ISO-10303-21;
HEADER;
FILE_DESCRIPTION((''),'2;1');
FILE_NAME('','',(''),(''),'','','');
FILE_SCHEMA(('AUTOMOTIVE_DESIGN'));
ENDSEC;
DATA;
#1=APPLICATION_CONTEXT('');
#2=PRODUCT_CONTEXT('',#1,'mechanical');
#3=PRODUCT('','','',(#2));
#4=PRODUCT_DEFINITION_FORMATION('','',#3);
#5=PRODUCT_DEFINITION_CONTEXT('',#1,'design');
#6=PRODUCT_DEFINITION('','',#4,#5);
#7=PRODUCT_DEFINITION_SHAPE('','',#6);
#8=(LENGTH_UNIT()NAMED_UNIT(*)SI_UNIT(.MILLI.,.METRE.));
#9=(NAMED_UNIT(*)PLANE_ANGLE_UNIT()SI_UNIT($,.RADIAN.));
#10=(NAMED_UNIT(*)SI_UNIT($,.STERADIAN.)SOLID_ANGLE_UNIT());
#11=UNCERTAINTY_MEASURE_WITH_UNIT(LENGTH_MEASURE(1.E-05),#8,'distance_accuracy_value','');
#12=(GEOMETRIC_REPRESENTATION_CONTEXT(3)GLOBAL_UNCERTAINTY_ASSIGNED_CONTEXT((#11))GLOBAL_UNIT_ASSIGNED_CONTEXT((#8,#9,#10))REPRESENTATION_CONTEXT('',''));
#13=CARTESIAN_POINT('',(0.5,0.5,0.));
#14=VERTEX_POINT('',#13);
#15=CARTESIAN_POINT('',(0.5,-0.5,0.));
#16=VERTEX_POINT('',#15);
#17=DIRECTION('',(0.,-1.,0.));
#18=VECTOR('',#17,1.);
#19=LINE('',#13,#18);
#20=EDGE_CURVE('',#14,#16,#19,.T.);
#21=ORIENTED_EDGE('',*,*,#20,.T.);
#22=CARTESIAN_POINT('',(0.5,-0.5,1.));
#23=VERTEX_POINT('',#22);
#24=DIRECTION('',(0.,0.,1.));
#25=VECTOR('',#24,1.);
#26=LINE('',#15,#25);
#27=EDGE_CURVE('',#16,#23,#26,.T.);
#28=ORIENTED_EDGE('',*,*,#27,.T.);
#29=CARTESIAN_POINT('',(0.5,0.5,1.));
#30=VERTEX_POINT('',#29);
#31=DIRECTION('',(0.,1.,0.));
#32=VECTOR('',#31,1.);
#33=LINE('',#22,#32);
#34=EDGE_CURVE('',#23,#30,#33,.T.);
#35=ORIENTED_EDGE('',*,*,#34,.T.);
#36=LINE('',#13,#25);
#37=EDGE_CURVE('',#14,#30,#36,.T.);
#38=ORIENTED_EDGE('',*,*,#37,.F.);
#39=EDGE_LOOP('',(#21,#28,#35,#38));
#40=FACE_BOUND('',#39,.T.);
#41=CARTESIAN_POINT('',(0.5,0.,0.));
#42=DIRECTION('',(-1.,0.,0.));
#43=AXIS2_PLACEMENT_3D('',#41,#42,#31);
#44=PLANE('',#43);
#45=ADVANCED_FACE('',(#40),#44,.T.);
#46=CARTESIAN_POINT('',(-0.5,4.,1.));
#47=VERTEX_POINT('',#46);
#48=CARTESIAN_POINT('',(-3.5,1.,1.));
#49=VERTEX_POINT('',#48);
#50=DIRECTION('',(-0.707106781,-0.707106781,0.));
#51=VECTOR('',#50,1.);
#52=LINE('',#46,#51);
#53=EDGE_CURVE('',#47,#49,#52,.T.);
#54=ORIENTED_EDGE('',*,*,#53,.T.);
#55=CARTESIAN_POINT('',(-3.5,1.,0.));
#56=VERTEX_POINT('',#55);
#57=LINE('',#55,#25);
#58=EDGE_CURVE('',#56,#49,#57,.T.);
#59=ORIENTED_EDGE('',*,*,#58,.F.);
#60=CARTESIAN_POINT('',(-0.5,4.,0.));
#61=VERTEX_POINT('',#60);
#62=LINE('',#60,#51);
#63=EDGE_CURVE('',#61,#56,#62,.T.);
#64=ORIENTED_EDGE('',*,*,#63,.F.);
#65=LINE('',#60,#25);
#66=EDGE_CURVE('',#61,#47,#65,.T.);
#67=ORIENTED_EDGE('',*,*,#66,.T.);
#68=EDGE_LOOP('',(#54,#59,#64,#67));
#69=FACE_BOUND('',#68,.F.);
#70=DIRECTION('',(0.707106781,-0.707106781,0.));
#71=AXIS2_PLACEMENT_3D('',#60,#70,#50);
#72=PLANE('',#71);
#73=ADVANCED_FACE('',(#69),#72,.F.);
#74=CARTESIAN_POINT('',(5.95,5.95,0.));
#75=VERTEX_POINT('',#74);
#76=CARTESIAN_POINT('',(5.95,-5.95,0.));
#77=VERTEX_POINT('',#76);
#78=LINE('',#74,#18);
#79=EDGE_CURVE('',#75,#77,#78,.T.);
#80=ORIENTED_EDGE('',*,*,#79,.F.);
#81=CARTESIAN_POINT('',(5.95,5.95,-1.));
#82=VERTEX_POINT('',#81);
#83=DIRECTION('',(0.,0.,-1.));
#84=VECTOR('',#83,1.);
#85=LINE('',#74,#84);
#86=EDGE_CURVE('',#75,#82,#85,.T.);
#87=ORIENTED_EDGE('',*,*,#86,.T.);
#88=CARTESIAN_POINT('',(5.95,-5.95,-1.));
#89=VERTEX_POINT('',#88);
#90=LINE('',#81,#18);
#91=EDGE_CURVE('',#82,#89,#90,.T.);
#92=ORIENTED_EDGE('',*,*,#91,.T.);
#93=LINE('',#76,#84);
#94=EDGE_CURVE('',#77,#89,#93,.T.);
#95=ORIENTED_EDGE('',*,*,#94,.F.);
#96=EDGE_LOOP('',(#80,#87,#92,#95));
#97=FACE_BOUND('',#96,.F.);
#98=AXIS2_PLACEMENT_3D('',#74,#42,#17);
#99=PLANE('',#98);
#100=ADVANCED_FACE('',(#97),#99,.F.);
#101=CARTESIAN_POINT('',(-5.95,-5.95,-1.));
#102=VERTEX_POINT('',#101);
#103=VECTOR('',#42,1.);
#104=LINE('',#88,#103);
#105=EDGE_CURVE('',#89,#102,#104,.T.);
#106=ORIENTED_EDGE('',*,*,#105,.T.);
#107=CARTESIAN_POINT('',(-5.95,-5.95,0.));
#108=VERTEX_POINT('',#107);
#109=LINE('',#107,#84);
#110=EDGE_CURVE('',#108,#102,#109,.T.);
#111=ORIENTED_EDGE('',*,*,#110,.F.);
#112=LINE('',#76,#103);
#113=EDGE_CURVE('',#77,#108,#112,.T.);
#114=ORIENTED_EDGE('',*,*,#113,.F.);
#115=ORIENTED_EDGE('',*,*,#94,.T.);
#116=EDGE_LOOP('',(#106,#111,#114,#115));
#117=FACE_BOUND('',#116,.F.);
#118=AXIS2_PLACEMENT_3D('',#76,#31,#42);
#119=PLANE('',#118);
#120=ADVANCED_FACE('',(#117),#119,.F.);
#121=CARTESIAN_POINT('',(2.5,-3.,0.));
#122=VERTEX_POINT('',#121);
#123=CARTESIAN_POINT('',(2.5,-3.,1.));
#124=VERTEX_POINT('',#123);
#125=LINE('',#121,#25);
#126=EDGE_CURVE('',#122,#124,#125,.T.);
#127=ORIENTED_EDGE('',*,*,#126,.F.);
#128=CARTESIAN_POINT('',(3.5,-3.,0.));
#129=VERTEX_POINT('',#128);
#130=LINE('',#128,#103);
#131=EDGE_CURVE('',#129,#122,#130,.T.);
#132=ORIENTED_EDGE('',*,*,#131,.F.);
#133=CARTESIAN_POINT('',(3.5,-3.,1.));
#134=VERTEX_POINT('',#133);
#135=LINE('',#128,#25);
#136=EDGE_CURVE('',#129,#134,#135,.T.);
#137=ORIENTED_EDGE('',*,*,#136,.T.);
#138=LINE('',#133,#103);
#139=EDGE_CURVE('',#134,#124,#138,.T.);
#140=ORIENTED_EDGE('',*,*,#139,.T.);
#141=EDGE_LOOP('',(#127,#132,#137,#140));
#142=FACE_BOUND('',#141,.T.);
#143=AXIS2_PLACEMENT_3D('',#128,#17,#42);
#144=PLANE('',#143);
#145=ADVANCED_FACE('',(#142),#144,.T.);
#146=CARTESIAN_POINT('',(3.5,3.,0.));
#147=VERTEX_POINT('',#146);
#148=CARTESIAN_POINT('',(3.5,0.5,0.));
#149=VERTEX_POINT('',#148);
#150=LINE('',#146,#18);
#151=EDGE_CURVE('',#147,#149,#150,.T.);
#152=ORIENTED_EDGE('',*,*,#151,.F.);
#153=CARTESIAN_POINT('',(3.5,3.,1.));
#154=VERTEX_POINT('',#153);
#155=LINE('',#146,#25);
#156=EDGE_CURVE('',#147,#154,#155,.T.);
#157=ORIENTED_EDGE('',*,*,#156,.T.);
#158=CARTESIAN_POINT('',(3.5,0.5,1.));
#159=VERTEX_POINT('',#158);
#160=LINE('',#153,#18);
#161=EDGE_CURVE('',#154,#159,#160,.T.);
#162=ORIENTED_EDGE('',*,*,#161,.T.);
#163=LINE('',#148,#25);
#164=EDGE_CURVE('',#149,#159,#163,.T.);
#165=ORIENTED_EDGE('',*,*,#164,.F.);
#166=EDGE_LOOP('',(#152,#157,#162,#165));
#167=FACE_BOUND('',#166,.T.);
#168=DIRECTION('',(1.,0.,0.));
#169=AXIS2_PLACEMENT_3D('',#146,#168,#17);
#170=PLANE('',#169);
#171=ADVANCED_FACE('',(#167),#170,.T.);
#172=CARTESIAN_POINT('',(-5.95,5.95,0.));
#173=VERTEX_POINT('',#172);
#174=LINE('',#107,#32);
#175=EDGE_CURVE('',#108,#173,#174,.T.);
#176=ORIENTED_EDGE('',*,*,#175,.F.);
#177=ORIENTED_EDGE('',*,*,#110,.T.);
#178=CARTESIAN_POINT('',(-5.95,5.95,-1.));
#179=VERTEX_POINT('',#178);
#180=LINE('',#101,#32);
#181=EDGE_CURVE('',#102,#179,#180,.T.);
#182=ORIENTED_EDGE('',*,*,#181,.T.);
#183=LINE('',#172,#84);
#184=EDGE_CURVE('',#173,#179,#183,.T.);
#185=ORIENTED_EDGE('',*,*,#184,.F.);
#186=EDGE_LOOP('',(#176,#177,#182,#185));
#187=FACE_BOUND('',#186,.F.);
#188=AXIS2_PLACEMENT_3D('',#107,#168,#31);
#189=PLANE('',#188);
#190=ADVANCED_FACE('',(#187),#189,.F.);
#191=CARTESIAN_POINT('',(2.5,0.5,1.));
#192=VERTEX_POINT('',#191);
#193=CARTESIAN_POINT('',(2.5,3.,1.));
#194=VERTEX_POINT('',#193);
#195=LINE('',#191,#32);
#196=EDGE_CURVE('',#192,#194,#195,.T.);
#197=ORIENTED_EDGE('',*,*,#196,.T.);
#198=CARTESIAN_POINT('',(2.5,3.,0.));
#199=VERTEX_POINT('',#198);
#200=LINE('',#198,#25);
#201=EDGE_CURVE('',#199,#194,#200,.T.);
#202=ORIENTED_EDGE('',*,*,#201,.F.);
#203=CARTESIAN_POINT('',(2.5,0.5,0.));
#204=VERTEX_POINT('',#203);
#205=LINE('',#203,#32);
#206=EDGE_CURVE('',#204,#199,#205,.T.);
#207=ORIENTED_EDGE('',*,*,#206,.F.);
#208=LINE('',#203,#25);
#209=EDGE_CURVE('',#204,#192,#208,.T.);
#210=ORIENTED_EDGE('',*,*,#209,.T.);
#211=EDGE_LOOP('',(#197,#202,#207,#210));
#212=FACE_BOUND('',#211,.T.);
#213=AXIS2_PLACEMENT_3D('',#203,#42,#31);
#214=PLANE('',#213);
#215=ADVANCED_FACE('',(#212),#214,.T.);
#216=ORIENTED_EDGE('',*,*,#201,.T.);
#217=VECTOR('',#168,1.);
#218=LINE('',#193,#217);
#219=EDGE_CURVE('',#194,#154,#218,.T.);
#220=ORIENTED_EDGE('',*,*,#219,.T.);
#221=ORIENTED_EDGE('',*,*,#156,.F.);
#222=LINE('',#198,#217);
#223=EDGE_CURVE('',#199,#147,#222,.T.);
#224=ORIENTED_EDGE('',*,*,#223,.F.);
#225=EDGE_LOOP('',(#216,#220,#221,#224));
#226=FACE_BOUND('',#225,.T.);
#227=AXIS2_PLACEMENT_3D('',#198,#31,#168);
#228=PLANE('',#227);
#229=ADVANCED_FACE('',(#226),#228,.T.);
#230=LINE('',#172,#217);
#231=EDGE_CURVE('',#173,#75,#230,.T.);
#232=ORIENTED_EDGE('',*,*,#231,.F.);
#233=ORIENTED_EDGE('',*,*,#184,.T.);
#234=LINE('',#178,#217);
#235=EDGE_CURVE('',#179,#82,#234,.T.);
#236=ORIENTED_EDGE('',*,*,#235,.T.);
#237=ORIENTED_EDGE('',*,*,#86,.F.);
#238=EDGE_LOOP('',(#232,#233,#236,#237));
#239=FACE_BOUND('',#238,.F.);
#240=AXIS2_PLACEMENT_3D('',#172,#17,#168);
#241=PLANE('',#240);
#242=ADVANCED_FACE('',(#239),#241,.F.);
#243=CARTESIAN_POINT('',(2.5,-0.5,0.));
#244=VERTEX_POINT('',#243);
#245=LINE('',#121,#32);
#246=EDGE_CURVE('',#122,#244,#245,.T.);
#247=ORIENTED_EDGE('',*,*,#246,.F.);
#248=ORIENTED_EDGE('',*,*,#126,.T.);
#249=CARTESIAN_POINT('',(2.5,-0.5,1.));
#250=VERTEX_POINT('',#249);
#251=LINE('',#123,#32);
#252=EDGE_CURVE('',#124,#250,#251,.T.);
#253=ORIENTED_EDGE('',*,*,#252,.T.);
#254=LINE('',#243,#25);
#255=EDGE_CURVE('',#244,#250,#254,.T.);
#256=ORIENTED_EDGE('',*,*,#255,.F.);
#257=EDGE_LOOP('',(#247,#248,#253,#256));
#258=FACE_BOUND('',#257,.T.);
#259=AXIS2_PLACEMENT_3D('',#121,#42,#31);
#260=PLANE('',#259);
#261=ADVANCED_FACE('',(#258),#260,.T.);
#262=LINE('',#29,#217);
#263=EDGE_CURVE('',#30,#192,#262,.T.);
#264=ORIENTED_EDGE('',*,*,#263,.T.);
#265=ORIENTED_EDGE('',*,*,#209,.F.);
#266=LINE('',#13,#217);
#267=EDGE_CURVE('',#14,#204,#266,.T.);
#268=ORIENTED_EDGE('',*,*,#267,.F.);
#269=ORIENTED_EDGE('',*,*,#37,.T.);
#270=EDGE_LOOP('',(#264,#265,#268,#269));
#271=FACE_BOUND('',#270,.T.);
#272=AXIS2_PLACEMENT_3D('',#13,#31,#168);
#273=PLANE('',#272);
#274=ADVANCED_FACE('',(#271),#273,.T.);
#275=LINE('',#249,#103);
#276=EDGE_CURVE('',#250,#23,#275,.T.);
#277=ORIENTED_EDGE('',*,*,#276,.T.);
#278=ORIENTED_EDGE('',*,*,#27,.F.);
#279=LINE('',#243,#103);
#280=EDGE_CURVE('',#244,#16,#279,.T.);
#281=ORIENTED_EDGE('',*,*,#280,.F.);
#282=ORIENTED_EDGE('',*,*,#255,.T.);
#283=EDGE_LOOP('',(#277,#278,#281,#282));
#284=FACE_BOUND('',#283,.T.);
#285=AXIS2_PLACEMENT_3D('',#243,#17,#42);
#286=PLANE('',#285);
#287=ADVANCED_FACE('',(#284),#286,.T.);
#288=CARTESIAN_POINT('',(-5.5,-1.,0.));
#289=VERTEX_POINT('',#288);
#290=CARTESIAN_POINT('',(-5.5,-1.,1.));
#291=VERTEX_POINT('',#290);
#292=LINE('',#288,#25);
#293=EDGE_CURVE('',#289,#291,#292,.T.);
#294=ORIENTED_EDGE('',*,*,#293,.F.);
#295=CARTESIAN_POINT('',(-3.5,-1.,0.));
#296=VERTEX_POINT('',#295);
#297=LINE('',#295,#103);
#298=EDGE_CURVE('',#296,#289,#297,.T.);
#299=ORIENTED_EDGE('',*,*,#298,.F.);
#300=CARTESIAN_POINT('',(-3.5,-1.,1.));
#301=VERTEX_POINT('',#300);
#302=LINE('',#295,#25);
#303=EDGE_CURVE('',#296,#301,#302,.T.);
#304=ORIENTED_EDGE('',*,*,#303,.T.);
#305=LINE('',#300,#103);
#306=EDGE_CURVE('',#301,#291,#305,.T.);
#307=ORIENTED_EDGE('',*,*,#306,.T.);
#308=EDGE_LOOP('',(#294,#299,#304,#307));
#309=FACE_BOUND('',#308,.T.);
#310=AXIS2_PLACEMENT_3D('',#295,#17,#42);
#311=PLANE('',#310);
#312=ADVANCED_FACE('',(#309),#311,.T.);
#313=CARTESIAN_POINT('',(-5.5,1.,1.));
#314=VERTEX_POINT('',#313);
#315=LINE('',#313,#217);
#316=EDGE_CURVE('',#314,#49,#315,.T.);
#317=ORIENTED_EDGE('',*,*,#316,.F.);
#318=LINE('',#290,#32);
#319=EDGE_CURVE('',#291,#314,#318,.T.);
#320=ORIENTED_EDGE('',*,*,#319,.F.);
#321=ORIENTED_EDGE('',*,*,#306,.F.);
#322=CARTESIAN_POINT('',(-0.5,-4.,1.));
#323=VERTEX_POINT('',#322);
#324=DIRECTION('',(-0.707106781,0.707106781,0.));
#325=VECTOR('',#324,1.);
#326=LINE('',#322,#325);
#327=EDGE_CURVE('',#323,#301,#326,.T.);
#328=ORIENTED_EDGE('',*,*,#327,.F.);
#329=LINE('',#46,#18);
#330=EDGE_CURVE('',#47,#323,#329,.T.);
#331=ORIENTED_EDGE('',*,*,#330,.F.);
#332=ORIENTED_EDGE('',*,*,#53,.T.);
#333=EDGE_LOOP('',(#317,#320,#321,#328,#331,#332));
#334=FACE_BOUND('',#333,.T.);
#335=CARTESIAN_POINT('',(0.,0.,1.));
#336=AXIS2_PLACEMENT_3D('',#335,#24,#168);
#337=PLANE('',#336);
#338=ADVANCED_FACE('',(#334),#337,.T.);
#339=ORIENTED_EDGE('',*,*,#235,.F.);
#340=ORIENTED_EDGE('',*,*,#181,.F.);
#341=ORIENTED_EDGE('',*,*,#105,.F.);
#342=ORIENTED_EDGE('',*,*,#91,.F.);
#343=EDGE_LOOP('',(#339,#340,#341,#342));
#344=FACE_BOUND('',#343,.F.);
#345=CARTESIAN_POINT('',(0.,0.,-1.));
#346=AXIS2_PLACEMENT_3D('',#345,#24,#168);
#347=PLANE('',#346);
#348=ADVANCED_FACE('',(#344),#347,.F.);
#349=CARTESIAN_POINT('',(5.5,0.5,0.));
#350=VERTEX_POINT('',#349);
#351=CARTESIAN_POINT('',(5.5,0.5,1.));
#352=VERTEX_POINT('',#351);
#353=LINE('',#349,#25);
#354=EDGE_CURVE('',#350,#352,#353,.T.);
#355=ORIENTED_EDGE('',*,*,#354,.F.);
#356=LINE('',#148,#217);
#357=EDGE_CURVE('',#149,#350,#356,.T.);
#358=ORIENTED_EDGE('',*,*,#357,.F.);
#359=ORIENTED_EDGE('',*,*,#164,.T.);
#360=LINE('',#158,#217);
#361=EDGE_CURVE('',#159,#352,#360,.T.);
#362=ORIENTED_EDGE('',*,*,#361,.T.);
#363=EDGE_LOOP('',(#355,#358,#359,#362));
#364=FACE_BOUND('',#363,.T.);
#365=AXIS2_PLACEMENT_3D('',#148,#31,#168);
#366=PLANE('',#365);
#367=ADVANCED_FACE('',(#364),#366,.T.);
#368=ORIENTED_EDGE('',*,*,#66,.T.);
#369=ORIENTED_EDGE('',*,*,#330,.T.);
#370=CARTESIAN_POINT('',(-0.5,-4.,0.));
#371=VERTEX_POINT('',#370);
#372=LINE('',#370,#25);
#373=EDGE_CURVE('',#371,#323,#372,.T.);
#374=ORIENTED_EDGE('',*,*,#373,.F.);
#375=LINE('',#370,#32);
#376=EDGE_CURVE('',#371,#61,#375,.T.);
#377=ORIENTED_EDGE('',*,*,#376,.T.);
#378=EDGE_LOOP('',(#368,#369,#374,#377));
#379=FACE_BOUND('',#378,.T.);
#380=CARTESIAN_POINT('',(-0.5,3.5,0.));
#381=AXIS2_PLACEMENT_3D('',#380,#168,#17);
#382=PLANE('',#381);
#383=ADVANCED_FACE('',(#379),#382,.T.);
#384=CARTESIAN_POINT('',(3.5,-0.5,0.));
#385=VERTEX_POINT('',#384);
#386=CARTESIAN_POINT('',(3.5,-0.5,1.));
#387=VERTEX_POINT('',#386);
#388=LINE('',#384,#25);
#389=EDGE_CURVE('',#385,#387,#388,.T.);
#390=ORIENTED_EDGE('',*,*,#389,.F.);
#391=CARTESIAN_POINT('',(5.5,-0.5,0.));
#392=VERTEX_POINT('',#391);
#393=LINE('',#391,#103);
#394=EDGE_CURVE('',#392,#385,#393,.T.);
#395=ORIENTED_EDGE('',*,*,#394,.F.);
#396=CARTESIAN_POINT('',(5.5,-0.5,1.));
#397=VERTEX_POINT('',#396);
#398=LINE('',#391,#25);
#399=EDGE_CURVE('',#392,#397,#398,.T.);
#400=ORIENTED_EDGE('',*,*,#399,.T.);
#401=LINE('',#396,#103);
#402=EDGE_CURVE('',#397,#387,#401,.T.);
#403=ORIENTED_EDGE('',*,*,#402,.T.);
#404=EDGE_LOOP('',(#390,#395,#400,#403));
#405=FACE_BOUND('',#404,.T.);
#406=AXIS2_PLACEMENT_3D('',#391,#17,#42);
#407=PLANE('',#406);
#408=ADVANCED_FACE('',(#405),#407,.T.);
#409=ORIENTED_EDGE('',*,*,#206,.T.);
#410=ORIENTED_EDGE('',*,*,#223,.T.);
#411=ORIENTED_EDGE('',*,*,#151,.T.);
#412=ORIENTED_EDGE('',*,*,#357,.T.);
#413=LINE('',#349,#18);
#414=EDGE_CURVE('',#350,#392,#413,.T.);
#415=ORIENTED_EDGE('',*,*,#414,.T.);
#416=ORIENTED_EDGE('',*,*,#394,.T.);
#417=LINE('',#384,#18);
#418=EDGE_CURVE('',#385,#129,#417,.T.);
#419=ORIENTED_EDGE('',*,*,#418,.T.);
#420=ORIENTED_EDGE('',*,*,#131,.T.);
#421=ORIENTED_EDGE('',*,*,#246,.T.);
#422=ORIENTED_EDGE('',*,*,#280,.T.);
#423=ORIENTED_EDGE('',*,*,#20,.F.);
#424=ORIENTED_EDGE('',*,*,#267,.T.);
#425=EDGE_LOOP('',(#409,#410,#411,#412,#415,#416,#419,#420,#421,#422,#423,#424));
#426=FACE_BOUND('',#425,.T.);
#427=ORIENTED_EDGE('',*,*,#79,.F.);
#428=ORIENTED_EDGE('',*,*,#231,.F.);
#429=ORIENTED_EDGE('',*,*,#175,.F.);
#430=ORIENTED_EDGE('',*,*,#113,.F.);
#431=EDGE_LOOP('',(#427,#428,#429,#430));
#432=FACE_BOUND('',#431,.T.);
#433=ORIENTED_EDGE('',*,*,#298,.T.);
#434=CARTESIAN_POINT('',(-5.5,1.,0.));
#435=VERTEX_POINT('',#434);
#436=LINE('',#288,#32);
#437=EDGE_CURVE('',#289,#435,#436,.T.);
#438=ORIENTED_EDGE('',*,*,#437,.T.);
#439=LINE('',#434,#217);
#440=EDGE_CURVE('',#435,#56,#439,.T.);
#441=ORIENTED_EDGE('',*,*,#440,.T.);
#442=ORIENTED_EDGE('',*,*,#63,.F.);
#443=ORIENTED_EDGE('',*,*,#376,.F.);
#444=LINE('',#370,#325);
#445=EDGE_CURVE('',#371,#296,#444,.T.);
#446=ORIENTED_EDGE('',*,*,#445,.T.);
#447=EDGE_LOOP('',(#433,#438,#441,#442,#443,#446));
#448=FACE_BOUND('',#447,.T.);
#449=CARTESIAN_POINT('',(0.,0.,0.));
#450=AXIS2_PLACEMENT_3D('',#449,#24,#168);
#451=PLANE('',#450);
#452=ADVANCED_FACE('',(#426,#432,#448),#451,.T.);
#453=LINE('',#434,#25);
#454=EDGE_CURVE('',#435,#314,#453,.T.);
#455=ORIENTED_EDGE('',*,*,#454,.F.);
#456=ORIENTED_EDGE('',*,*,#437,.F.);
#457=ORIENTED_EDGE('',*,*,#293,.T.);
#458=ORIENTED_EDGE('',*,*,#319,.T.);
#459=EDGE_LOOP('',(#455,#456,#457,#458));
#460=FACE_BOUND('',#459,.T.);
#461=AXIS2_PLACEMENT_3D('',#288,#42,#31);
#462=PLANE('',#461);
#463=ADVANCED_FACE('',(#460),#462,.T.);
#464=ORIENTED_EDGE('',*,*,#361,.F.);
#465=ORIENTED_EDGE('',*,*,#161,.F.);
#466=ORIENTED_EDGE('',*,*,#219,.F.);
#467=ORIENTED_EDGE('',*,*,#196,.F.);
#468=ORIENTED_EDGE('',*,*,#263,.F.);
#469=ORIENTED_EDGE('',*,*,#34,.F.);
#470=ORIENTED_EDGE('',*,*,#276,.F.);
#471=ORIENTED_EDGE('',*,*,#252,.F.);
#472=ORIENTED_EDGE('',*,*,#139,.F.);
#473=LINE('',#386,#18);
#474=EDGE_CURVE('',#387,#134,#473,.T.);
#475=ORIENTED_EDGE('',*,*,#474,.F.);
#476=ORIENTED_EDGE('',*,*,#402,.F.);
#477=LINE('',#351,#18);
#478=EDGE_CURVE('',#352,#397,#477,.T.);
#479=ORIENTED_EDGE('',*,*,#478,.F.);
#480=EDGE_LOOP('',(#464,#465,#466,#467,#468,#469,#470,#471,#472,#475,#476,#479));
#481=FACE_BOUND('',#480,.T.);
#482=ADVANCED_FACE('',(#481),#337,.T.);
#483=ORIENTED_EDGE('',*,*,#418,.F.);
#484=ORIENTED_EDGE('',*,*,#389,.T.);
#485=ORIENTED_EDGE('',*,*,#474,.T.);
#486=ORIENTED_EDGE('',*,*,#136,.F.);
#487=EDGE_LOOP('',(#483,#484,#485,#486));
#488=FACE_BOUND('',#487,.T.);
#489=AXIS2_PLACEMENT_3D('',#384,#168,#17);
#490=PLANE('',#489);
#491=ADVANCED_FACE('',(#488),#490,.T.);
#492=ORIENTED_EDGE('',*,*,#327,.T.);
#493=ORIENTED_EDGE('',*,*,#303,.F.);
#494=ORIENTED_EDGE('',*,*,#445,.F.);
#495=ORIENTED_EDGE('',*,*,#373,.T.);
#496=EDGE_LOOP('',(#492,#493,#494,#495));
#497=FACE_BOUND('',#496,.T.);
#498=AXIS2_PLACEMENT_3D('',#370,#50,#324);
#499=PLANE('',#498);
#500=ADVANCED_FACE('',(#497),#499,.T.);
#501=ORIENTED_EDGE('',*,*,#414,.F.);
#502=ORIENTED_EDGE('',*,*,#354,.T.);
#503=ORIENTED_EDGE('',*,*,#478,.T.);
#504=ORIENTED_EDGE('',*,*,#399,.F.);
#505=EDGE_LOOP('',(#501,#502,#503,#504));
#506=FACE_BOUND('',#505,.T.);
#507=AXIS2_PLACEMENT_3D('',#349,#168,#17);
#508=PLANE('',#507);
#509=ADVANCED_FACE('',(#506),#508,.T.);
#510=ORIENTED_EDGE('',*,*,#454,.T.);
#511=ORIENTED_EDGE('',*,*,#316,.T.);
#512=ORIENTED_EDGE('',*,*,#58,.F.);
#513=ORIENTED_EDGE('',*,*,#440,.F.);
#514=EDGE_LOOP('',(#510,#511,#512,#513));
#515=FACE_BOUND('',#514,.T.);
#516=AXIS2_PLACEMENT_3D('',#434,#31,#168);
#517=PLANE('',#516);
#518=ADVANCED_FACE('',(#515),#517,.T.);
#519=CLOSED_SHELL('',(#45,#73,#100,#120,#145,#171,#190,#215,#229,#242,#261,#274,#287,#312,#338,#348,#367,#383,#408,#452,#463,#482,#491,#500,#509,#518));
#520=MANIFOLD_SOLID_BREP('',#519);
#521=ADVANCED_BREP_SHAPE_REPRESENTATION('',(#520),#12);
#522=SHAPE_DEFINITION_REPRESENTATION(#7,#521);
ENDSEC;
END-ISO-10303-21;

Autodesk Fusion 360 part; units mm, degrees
sketch "Sketch1" plane through (0, 0, 0) normal (0, 0, 1) x (1, 0, 0)
  line L0 (5.95, -5.95) -> (-5.95, -5.95)
  line L1 (-5.95, -5.95) -> (-5.95, 5.95)
  line L2 (-5.95, 5.95) -> (5.95, 5.95)
  line L3 (5.95, 5.95) -> (5.95, -5.95)
  line L4 (5.95, -5.95) -> (-5.95, 5.95) construction
  line L5 (-5.95, -5.95) -> (5.95, 5.95) construction
  line L6 (-0.5, 3.5) -> (-0.5, 0)
  line L7 (0.5, 0) -> (0.5, 0.5)
  line L8 (2.5, 3) -> (3.5, 3)
  line L9 (5.5, 0.5) -> (5.5, -0.5)
  line L10 (3.5, -3) -> (2.5, -3)
  line L11 (0.5, 0) -> (0.5, -0.5)
  line L12 (0.5, 0.5) -> (2.5, 0.5)
  line L13 (2.5, 0.5) -> (2.5, 3)
  line L14 (3.5, 3) -> (3.5, 0.5)
  line L15 (3.5, 0.5) -> (5.5, 0.5)
  line L16 (5.5, -0.5) -> (3.5, -0.5)
  line L17 (3.5, -0.5) -> (3.5, -3)
  line L18 (2.5, -3) -> (2.5, -0.5)
  line L19 (2.5, -0.5) -> (0.5, -0.5)
  line L20 (-0.5, 0) -> (-0.5, -3.5)
  line L21 (-3.5, -1) -> (-5.5, -1)
  line L22 (-5.5, -1) -> (-5.5, 1)
  line L23 (-5.5, 1) -> (-3.5, 1)
  line L24 (-0.5, 3.5) -> (-0.5, 4)
  line L25 (-0.5, 4) -> (-3.5, 1)
  line L26 (-0.5, -3.5) -> (-0.5, -4)
  line L27 (-0.5, -4) -> (-3.5, -1)
  dimension "d1" = 11.9
  dimension "d2" = 11.9
extrude "Extrude1" add sketch "Sketch1" against normal blind 1 contours L0 L1 L2 L3 | L6 L20 L21 L22 L23 L24 L25 L26 L27 | L7 L8 L9 L10 L11 L12 L13 L14 L15 L16 L17 L18 L19
extrude "Extrude2" add sketch "Sketch1" along normal blind 1 contours L6 L20 L21 L22 L23 L24 L25 L26 L27 | L7 L8 L9 L10 L11 L12 L13 L14 L15 L16 L17 L18 L19
